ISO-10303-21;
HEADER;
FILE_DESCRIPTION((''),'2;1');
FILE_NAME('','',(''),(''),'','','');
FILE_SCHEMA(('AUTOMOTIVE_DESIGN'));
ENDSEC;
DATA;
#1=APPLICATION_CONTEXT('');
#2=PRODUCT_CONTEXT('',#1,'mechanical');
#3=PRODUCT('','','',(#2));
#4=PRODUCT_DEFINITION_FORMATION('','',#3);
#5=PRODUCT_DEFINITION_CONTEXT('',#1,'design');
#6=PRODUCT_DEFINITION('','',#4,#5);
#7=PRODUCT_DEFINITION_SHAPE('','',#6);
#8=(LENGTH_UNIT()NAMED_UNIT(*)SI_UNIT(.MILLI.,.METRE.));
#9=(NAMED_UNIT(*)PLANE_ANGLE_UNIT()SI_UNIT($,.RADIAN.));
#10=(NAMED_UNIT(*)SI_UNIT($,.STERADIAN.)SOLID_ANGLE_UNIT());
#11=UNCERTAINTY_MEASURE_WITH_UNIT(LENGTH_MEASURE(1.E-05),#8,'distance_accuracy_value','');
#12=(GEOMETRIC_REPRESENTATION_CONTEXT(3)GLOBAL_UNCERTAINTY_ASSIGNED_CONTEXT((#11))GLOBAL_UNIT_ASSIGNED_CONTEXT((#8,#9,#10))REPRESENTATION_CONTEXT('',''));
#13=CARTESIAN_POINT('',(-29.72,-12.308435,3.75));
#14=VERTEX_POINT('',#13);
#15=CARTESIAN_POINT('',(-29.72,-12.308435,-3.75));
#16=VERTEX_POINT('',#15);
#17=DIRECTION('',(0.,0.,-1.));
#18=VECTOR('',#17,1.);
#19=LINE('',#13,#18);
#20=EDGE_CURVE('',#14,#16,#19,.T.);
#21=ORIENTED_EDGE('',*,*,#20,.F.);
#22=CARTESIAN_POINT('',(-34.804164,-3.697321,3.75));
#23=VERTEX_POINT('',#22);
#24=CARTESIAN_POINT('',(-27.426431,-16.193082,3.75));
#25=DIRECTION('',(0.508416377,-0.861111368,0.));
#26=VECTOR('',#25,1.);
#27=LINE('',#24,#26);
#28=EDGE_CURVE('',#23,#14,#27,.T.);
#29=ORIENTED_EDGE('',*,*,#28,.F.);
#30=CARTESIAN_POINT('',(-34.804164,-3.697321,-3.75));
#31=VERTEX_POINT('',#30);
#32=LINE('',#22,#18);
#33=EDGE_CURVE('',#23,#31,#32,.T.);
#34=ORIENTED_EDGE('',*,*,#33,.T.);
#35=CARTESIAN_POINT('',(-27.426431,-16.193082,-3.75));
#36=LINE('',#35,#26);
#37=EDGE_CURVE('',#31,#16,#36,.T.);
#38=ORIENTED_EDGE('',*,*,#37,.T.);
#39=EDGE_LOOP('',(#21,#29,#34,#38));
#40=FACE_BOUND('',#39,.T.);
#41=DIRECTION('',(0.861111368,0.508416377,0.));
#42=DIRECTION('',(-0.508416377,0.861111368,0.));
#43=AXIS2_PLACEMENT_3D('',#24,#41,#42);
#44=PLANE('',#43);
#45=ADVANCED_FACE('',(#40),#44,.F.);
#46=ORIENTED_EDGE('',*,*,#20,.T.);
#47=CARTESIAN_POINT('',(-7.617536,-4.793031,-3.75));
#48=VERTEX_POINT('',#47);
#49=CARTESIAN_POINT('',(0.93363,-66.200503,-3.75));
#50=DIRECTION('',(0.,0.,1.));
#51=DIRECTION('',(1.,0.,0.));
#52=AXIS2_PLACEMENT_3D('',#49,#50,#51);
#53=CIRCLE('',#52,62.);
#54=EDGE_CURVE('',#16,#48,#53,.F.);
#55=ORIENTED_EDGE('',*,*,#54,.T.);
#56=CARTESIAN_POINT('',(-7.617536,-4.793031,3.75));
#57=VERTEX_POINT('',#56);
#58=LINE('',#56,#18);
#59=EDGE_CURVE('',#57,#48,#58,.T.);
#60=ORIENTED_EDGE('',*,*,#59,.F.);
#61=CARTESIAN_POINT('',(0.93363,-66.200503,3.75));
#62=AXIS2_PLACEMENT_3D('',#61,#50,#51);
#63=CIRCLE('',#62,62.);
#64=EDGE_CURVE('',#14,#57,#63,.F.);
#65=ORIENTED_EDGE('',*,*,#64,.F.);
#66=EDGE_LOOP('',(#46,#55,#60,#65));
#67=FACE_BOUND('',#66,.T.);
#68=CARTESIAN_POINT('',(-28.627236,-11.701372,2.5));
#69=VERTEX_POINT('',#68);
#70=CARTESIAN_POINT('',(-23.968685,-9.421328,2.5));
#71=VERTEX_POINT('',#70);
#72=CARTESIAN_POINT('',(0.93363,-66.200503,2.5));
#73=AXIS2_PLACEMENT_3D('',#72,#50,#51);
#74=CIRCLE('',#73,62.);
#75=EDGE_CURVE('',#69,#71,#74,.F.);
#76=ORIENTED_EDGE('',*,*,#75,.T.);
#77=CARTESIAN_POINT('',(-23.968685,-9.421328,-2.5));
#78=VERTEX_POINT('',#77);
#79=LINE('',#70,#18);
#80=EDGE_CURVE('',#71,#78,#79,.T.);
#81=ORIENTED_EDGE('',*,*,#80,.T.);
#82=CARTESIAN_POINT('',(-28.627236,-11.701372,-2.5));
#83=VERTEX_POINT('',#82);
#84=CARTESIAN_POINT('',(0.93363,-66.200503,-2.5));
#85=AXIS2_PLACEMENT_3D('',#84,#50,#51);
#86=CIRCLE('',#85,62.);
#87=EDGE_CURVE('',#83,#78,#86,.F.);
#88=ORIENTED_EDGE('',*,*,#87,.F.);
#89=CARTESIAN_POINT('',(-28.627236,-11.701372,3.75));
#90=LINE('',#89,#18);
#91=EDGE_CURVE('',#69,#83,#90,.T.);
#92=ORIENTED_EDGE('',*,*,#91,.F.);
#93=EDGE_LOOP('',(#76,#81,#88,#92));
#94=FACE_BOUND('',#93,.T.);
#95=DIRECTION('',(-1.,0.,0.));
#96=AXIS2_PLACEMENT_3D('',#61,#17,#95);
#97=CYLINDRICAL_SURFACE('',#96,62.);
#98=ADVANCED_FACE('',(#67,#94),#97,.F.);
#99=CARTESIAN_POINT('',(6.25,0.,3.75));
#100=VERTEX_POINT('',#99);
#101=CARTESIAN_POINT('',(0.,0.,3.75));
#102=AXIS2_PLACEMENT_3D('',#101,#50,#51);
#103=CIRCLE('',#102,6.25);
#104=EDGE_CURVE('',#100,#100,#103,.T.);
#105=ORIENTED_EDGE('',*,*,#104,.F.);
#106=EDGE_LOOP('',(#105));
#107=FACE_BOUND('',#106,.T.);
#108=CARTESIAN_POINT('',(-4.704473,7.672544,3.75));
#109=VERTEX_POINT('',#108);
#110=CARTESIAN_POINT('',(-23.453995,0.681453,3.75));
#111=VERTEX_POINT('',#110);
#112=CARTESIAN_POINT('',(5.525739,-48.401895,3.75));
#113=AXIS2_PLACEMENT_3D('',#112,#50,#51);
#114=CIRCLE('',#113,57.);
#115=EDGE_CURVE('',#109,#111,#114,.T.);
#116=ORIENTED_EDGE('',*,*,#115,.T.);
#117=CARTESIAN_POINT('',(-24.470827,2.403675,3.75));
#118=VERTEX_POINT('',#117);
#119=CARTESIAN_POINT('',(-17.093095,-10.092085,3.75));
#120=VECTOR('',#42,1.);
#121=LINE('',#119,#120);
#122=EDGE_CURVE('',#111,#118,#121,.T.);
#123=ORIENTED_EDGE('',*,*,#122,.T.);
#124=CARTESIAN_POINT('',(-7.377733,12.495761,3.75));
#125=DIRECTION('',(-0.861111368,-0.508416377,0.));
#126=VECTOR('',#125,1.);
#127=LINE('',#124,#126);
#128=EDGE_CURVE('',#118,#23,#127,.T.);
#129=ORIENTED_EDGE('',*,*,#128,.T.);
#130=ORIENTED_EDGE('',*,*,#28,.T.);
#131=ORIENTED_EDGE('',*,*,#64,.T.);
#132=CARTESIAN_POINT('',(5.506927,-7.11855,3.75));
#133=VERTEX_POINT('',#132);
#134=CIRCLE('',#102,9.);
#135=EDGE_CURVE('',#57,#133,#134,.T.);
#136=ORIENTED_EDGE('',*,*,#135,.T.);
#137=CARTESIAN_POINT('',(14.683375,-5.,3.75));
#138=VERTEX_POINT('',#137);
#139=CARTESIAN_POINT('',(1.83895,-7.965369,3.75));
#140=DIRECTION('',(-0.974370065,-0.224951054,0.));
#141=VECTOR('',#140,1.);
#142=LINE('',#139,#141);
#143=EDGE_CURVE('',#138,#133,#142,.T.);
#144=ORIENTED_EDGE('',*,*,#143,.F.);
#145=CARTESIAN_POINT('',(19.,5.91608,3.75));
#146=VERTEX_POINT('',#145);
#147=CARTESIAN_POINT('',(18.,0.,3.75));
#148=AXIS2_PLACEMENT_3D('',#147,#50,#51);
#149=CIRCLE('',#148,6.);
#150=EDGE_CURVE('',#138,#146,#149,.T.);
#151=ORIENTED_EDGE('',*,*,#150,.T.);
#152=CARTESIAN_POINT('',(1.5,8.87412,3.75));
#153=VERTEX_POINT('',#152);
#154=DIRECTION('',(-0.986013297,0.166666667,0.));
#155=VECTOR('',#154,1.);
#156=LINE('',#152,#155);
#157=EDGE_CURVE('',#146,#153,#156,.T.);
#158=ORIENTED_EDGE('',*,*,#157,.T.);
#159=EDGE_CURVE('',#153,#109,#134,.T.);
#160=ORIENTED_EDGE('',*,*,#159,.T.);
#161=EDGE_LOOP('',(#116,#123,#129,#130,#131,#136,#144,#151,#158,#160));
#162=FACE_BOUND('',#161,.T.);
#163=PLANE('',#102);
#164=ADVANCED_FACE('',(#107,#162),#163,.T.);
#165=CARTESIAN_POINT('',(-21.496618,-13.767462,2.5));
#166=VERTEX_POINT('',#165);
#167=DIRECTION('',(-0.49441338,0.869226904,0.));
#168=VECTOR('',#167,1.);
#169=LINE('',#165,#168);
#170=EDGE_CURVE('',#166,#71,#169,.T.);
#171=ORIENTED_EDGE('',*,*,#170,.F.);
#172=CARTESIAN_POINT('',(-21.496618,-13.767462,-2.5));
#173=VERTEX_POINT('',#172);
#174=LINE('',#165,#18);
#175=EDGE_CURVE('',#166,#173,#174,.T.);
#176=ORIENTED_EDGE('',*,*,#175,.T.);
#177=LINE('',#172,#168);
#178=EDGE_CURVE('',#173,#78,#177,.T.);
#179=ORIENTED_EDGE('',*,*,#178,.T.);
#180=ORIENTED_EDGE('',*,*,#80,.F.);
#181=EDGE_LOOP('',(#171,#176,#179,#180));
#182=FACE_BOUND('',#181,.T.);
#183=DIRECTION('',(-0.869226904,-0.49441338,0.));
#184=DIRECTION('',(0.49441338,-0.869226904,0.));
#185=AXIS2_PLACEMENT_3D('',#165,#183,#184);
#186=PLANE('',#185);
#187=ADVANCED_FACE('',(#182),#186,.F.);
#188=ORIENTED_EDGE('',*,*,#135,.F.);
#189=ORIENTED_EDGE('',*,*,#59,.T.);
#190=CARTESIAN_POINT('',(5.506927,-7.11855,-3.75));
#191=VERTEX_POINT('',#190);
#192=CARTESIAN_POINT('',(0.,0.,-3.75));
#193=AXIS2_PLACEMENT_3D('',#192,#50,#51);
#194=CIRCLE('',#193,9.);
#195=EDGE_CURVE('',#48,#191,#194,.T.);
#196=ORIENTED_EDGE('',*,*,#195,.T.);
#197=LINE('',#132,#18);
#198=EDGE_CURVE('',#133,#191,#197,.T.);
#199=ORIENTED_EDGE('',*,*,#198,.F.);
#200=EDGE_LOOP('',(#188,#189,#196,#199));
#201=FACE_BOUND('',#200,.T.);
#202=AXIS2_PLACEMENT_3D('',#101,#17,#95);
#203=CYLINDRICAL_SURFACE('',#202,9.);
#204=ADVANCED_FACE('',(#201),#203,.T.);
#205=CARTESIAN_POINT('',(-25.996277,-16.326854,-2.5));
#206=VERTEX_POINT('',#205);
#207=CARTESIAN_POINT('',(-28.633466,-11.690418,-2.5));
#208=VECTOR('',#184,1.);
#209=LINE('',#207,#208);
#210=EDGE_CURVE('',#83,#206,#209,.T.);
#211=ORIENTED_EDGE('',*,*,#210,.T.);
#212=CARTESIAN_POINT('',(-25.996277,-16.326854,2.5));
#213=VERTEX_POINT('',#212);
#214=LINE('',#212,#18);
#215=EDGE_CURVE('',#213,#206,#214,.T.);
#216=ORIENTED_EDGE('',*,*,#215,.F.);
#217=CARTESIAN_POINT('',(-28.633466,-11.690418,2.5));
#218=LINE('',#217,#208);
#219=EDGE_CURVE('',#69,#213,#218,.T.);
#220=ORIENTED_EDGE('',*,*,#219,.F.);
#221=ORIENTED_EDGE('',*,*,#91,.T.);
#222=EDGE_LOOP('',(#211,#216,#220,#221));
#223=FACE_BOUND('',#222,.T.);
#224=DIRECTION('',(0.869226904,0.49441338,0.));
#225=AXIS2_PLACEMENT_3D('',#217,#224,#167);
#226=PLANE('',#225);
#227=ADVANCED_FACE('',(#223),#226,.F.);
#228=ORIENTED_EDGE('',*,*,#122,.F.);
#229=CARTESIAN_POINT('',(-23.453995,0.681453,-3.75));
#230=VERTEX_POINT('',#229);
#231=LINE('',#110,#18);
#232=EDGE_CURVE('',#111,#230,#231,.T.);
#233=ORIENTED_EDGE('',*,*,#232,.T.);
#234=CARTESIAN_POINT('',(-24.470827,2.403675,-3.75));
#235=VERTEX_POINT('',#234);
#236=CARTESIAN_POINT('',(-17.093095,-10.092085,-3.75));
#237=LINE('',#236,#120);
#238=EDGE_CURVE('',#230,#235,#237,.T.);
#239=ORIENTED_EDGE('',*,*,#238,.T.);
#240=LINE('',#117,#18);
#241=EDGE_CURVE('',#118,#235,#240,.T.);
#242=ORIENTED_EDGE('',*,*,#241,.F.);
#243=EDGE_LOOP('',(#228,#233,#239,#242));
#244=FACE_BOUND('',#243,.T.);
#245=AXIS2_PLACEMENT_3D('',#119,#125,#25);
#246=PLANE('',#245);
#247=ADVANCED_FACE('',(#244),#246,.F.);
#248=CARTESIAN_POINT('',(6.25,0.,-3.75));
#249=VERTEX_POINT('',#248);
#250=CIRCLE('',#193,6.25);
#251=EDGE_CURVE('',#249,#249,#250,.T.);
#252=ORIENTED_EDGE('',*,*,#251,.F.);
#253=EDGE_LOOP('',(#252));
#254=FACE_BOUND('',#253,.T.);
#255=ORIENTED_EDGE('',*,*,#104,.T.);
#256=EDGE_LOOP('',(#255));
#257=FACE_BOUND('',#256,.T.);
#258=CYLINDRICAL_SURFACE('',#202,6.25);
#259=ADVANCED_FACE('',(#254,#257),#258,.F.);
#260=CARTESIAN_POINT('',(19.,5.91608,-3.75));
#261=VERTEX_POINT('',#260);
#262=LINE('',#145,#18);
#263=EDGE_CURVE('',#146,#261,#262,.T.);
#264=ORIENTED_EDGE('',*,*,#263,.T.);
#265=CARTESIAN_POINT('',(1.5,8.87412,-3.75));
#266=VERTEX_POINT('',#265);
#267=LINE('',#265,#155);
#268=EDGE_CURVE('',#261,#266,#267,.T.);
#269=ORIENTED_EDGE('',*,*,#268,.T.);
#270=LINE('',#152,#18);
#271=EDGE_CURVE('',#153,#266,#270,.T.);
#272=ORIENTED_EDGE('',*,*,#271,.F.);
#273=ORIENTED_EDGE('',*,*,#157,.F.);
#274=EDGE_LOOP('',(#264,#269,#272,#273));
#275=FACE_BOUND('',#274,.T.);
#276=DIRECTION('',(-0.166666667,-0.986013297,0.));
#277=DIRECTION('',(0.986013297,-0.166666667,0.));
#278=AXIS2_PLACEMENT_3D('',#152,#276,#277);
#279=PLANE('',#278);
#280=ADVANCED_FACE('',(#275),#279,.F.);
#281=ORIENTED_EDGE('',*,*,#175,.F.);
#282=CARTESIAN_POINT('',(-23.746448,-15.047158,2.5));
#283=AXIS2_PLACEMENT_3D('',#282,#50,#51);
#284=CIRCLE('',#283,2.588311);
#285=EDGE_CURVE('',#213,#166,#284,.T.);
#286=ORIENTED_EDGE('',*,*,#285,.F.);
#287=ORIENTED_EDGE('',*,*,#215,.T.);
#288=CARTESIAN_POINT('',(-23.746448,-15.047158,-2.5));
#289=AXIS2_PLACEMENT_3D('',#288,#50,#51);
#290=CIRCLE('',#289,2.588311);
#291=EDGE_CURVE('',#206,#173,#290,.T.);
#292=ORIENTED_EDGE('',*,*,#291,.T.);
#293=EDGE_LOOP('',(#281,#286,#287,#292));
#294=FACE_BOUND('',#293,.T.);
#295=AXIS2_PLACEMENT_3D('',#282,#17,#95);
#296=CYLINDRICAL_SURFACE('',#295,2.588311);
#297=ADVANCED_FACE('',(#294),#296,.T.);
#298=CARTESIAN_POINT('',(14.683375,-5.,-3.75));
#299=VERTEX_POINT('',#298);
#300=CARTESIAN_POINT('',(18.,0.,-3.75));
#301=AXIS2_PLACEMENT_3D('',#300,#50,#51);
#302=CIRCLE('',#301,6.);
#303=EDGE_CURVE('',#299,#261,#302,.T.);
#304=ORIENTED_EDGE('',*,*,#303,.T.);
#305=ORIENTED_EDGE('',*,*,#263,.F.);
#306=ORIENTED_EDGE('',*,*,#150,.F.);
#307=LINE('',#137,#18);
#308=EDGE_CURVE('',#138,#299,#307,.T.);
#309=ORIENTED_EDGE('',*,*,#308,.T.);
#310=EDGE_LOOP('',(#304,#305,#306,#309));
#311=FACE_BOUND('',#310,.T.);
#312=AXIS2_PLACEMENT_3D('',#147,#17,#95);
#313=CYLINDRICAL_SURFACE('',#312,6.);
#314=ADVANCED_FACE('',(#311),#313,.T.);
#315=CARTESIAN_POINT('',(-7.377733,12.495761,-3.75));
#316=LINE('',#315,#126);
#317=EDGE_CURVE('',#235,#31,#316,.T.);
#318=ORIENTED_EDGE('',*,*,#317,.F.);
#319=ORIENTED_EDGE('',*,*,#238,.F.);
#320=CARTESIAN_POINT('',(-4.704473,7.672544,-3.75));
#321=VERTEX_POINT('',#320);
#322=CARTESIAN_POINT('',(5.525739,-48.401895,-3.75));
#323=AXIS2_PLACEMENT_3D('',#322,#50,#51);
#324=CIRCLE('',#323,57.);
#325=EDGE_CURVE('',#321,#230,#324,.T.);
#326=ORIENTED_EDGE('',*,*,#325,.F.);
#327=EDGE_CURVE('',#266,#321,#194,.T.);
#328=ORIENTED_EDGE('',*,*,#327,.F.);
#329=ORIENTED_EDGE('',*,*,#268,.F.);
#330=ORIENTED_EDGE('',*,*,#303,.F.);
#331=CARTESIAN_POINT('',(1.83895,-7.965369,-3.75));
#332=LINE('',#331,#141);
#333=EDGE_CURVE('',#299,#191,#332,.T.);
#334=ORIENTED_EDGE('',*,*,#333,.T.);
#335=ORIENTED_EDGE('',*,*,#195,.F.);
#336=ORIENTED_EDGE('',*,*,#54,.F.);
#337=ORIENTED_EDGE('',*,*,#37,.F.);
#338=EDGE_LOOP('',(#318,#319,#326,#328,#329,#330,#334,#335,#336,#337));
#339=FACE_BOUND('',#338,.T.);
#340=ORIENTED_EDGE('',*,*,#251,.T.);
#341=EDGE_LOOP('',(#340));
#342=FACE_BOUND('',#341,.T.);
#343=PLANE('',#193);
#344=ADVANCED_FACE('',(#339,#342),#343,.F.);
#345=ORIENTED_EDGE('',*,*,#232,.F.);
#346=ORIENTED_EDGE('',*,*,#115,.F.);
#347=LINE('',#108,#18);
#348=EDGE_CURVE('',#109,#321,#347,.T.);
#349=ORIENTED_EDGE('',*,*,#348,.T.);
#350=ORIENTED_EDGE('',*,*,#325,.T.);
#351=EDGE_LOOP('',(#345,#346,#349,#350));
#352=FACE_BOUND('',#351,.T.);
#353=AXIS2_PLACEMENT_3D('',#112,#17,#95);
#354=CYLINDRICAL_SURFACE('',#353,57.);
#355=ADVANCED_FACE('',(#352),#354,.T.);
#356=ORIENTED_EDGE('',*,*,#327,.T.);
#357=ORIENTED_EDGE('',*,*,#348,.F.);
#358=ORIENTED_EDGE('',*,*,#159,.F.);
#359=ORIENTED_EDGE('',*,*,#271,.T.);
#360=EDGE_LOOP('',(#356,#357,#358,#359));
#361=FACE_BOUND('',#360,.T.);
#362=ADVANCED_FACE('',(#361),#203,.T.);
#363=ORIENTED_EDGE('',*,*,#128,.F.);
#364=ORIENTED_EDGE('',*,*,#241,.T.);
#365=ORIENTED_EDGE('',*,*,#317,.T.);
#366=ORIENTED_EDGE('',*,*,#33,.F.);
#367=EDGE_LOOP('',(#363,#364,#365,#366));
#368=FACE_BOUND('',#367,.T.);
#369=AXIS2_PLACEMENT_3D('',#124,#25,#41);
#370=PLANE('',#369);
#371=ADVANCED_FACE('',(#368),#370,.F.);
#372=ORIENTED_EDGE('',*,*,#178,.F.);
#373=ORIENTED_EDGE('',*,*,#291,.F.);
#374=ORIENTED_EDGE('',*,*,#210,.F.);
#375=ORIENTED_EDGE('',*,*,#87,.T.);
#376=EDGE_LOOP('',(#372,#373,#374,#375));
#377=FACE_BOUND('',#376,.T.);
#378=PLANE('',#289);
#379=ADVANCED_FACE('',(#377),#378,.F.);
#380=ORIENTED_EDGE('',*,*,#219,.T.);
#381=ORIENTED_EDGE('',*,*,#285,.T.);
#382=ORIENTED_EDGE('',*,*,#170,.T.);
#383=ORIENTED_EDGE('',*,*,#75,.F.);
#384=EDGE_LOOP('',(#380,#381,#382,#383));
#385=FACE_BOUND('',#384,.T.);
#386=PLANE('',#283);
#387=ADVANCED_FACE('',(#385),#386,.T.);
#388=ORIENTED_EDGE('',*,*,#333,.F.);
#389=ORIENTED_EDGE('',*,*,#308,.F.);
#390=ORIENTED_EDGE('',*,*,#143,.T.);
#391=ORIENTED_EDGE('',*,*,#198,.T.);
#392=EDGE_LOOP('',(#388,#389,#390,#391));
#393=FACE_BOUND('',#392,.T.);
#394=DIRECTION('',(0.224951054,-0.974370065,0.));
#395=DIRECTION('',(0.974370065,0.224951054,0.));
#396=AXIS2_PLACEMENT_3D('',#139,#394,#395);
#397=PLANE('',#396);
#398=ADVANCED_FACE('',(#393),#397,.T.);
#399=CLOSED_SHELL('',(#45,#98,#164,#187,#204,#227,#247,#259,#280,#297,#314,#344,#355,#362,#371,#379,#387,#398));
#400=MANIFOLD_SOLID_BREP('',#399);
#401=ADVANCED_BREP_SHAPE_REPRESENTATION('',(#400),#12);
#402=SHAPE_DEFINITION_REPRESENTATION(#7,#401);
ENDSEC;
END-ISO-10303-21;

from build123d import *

# Parameters (mm, degrees)
SKETCH1_R           = 6.25
BOSS_EXTRUDE1_DEPTH = 3.75
BOSS_EXTRUDE2_DEPTH = 2.5


with BuildPart() as part:
    # Sketch1 → Boss-Extrude1 (new body, symmetric)
    with BuildSketch(Plane.XY):
        with BuildLine():
            ThreePointArc((14.68337521, -5), (23.5795956, -2.206380053), (19, 5.916079783))
            Line((19, 5.916079783), (1.5, 8.874119675))
            ThreePointArc((1.5, 8.874119675), (-1.711171484, 8.835830021), (-4.704473056, 7.672544119))
            ThreePointArc((-4.704473056, 7.672544119), (-14.388421791, 5.006214545), (-23.453994607, 0.681452586))
            Line((-23.453994607, 0.681452586), (-24.470827362, 2.403675322))
            Line((-24.470827362, 2.403675322), (-34.804163773, -3.697321205))
            Line((-34.804163773, -3.697321205), (-29.72, -12.308434881))
            ThreePointArc((-29.72, -12.308434881), (-19.025686771, -7.501050673), (-7.617535769, -4.793031276))
            ThreePointArc((-7.617535769, -4.793031276), (-1.570247279, -8.861959348), (5.50692712, -7.118549971))
            Line((5.50692712, -7.118549971), (14.68337521, -5))
        make_face()
        Circle(SKETCH1_R, mode=Mode.SUBTRACT)
    extrude(amount=BOSS_EXTRUDE1_DEPTH, both=True)

    # Sketch2 → Boss-Extrude2 (add, symmetric)
    with BuildSketch(Plane.XY):
        with BuildLine():
            Line((-28.63346637, -11.690418156), (-24.131806399, -9.129888895))
            Line((-24.131806399, -9.129888895), (-23.968684666, -9.421327611))
            Line((-23.968684666, -9.421327611), (-21.496617767, -13.767462129))
            ThreePointArc((-21.496617767, -13.767462129), (-22.466751825, -17.296987603), (-25.996277299, -16.326853546))
            Line((-25.996277299, -16.326853546), (-28.63346637, -11.690418156))
        make_face()
    extrude(amount=BOSS_EXTRUDE2_DEPTH, both=True)


solid = part.part
